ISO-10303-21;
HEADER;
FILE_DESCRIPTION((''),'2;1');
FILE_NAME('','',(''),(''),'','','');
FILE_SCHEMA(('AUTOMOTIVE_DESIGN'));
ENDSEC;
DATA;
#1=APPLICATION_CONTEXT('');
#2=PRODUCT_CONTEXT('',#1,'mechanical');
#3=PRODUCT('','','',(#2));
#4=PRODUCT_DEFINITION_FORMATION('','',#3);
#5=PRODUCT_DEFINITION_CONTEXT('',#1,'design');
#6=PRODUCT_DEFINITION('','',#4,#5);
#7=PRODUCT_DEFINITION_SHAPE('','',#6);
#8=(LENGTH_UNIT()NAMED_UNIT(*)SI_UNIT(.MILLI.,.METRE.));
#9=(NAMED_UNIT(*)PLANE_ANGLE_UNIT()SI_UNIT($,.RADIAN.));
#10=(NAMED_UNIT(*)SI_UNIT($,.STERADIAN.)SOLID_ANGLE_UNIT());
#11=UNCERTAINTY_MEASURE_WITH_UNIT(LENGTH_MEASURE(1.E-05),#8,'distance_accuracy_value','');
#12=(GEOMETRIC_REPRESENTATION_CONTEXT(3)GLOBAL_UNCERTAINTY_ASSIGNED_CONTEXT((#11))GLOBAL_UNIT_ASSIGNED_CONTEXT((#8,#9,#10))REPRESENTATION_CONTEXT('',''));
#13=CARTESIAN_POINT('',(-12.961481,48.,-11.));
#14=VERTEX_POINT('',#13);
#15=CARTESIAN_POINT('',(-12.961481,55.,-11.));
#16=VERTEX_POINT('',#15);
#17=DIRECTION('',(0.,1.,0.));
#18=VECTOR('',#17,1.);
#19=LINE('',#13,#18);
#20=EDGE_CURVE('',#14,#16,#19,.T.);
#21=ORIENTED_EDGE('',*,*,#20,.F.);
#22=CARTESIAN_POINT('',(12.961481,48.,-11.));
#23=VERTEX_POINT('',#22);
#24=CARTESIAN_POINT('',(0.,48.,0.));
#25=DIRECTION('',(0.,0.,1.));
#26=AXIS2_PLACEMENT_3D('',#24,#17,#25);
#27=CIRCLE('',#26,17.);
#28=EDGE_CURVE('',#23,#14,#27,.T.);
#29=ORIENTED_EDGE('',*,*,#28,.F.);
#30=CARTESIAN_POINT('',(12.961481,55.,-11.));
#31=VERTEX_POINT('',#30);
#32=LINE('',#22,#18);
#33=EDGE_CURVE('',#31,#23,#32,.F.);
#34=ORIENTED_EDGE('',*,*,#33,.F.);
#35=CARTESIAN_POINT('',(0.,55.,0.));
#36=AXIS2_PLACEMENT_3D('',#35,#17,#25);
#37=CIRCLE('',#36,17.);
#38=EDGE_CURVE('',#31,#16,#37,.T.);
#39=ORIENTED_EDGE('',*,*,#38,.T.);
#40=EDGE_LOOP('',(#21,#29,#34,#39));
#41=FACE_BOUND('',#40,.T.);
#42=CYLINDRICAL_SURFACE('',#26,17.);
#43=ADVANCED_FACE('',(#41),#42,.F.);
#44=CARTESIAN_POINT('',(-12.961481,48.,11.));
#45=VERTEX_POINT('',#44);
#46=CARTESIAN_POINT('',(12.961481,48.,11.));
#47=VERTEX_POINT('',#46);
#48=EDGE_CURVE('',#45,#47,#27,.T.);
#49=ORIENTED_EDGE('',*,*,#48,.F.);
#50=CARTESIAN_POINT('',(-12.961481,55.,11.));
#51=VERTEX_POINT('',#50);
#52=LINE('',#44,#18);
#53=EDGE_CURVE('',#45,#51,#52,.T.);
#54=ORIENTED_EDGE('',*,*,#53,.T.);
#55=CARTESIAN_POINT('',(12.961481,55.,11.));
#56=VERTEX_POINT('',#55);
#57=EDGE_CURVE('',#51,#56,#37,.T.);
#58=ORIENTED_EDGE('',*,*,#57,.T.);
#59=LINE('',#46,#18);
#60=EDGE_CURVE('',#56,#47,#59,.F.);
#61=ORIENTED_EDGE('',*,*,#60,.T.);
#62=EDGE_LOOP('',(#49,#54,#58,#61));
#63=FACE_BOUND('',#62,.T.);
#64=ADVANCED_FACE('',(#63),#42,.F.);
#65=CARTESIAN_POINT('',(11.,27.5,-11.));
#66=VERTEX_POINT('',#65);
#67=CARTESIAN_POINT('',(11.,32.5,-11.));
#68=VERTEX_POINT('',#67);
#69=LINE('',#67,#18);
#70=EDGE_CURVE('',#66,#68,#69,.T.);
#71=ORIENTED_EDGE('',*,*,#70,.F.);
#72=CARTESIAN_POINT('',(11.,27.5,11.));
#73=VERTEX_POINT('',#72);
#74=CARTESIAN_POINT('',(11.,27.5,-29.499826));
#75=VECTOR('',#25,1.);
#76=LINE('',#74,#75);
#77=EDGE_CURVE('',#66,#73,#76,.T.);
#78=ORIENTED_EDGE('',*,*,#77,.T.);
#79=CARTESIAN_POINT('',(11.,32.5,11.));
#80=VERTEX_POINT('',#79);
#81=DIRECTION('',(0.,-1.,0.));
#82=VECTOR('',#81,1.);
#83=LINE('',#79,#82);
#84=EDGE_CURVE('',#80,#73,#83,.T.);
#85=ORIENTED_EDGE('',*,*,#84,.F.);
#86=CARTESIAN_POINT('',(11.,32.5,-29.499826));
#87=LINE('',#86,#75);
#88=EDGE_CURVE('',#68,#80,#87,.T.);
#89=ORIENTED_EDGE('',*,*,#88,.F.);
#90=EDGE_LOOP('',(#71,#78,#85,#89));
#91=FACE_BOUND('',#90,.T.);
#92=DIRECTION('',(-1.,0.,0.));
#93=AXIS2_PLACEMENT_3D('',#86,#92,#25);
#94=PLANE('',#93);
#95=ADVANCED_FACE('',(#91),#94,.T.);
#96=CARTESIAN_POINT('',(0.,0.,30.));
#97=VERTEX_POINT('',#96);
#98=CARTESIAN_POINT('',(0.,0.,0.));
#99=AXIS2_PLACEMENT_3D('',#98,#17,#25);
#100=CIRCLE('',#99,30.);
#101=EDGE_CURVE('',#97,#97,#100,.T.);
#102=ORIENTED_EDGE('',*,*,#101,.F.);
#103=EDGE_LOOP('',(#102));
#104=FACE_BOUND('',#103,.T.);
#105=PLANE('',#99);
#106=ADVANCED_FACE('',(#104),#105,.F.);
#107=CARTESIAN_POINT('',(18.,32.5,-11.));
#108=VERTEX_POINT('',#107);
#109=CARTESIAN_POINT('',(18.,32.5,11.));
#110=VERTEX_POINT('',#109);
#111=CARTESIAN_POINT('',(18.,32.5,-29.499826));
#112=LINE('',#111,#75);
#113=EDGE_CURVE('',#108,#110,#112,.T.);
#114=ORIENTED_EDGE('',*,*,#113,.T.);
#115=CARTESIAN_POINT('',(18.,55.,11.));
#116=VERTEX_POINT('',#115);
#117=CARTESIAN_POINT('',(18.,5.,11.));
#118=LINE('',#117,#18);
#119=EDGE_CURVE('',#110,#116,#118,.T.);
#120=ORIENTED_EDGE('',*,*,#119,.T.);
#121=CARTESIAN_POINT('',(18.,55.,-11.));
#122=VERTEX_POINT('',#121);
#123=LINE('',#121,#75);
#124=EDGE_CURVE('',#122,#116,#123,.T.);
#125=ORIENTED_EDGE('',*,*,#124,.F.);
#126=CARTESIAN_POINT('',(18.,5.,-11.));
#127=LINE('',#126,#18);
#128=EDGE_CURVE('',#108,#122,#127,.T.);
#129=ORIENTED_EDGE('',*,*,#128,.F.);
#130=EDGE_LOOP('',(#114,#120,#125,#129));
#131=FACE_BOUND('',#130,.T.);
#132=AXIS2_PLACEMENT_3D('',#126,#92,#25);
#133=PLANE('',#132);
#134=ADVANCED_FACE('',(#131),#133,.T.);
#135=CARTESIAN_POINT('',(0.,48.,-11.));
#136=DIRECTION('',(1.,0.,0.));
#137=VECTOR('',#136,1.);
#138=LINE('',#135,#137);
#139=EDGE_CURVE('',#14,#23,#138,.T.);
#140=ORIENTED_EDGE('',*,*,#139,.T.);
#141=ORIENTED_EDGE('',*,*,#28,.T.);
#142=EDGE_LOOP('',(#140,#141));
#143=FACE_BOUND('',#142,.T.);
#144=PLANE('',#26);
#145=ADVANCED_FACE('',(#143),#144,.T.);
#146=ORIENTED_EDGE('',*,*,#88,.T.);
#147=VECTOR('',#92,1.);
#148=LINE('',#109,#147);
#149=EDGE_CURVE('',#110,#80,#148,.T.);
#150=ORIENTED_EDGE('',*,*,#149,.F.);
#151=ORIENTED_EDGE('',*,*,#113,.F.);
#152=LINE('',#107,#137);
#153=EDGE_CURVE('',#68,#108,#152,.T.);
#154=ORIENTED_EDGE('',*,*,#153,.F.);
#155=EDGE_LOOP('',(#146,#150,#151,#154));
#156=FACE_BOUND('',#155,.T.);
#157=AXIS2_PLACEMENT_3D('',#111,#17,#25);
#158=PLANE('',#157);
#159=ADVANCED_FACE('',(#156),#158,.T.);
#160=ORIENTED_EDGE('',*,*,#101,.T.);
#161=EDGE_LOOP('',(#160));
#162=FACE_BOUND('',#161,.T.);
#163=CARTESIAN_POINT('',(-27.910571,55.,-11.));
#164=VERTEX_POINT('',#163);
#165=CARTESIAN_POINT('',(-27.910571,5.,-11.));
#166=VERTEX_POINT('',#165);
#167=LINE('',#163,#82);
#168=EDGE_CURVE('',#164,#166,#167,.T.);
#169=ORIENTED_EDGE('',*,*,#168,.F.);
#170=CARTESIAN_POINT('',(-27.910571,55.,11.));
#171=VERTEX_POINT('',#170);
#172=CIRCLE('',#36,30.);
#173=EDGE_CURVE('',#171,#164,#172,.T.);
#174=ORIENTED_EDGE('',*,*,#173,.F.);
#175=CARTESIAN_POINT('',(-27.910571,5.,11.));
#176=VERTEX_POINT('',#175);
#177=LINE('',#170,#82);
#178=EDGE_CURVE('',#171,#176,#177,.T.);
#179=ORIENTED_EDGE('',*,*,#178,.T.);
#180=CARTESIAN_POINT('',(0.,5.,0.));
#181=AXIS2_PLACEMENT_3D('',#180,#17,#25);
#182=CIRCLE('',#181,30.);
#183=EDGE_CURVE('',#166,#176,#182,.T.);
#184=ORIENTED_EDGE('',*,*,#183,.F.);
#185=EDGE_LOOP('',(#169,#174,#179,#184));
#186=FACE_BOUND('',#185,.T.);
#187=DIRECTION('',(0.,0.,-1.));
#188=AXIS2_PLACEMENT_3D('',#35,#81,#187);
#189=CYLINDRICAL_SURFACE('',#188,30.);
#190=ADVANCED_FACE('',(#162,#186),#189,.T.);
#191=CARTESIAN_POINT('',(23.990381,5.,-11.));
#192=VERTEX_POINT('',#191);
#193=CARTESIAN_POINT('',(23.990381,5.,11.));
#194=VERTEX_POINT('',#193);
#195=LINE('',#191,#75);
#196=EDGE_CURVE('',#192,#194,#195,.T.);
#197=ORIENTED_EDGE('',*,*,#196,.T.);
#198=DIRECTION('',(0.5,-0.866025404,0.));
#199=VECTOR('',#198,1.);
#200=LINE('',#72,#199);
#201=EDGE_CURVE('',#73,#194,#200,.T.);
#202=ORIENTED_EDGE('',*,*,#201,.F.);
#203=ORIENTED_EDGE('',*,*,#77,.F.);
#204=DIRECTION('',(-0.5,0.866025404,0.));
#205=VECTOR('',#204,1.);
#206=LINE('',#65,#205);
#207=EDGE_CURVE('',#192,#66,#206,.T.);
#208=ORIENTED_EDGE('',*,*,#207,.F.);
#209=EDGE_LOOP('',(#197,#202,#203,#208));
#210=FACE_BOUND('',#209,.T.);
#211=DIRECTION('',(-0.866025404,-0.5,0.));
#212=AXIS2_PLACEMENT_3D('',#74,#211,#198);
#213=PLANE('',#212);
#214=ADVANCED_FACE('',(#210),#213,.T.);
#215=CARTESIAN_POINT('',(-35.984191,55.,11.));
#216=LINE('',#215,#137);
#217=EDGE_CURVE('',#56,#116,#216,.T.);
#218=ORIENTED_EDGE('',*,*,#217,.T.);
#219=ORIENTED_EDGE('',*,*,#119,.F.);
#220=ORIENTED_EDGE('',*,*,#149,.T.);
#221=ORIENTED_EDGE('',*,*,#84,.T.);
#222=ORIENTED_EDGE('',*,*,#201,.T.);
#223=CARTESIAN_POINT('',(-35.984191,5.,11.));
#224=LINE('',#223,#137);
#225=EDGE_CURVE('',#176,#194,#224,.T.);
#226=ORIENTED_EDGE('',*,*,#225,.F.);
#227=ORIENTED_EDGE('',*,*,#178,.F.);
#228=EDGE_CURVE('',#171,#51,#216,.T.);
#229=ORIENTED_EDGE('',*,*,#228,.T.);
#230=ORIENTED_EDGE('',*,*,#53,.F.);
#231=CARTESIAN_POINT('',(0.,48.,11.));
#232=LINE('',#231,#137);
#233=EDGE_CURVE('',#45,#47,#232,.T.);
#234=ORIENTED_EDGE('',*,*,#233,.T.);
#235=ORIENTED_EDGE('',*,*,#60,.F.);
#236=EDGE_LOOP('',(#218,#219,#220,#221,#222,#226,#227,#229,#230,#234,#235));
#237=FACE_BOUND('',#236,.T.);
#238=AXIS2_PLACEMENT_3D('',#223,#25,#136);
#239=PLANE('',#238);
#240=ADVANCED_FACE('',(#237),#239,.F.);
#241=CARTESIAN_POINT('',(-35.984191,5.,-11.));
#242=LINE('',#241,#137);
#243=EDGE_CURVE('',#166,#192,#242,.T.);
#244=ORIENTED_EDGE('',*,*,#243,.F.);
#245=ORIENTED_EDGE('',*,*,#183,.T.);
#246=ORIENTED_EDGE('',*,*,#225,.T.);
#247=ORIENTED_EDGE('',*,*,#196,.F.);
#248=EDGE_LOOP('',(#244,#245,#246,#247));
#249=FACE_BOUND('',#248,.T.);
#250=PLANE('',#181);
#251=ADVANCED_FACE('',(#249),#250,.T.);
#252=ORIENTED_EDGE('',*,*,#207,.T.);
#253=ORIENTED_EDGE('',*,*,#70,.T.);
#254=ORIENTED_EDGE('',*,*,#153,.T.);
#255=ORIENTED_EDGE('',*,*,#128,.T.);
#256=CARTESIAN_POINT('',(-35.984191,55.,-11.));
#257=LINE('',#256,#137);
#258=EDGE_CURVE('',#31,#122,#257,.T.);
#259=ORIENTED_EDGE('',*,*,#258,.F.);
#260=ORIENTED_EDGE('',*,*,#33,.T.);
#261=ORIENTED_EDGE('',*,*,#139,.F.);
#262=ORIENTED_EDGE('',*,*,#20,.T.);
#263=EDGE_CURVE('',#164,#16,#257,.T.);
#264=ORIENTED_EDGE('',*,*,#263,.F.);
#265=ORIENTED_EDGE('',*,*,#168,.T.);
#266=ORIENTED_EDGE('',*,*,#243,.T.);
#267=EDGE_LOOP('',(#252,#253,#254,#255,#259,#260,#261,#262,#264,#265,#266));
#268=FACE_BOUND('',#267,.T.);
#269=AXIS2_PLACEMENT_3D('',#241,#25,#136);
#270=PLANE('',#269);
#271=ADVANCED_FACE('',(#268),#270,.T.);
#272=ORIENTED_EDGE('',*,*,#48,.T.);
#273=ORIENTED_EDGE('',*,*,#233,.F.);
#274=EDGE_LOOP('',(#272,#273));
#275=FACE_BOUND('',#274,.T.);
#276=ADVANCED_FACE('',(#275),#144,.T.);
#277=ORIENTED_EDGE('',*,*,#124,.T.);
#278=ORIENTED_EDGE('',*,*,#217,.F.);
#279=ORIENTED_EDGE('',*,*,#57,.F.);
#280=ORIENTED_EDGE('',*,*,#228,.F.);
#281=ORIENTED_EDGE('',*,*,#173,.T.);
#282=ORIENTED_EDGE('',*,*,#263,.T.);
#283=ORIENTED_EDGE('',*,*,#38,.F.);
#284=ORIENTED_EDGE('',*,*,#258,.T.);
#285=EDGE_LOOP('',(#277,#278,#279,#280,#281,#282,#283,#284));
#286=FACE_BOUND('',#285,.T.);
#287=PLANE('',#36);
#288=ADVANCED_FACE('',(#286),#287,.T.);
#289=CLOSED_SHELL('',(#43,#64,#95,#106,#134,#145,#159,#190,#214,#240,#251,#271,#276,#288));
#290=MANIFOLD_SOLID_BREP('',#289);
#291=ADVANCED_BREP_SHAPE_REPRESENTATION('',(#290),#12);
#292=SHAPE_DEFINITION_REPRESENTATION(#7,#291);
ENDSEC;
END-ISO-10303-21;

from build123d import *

# Parameters (mm, degrees)
SKETCH1_R                           = 30
BOSS_EXTRUDE1_DEPTH                 = 55
SKETCH3_R                           = 17
HUB_POCKET_DEPTH                    = 7
SKETCH2_W                           = 53.984190988
SKETCH2_H                           = 22
SERVO_POCKET_DEPTH                  = 50
SERVO_FRONT_MOUNT_REACH             = 71.462
SERVO_FRONT_MOUNT_DIRECTION_2_REACH = 71.462
WIRE_ACCESS_DEPTH                   = 11


with BuildPart() as part:
    # Sketch1 → Boss-Extrude1 (new body)
    with BuildSketch(Plane(origin=(0, 0, 0), x_dir=(1, 0, 0), z_dir=(0, 1, 0))):
        with Locations(Location((0, 0, 0), (0, 0, 270))):
            Circle(SKETCH1_R)
    extrude(amount=BOSS_EXTRUDE1_DEPTH)

    # Sketch3 → hub pocket (cut)
    with BuildSketch(Plane(origin=(0, 55, 0), x_dir=(1, 0, 0), z_dir=(0, 1, 0))):
        with Locations(Location((0, 0, 0), (0, 0, 270))):
            Circle(SKETCH3_R)
    extrude(amount=-HUB_POCKET_DEPTH, mode=Mode.SUBTRACT)

    # Sketch2 → servo pocket (cut)
    with BuildSketch(Plane(origin=(0, 55, 0), x_dir=(1, 0, 0), z_dir=(0, 1, 0))):
        with Locations((-8.992095494, 0)):
            Rectangle(SKETCH2_W, SKETCH2_H)
    extrude(amount=-SERVO_POCKET_DEPTH, mode=Mode.SUBTRACT)

    # Servo front mount: up to this face of the body (flat: up to its plane)
    servo_front_mount_end = Plane(part.part.faces().sort_by_distance((-5.380622048, 28.154550276, -11))[0])
    # Sketch4 → Servo front mount (add, up to the picked face)
    with BuildSketch(Plane.XY, mode=Mode.PRIVATE) as servo_front_mount_sk1:
        Polygon((18, 32.5), (11, 32.5), (11, 27.5), (18, 15.375644347), align=None)
    servo_front_mount_tool1 = split(extrude(servo_front_mount_sk1.sketch, amount=-SERVO_FRONT_MOUNT_REACH, mode=Mode.PRIVATE), bisect_by=servo_front_mount_end, keep=Keep.BOTH, mode=Mode.PRIVATE)
    add(servo_front_mount_tool1.solids().sort_by(Axis((15.139344, 26.415223, 0), (0, 0, -1)))[0])

    # Servo front mount direction 2: up to this face of the body (flat: up to its plane)
    servo_front_mount_direction_2_end = Plane(part.part.faces().sort_by_distance((-5.380622048, 28.154550276, 11))[0])
    # Sketch4 → Servo front mount direction 2 (add, up to the picked face)
    with BuildSketch(Plane.XY, mode=Mode.PRIVATE) as servo_front_mount_direction_2_sk1:
        Polygon((18, 32.5), (11, 32.5), (11, 27.5), (18, 15.375644347), align=None)
    servo_front_mount_direction_2_tool1 = split(extrude(servo_front_mount_direction_2_sk1.sketch, amount=SERVO_FRONT_MOUNT_DIRECTION_2_REACH, mode=Mode.PRIVATE), bisect_by=servo_front_mount_direction_2_end, keep=Keep.BOTH, mode=Mode.PRIVATE)
    add(servo_front_mount_direction_2_tool1.solids().sort_by(Axis((15.139344, 26.415223, 0), (0, 0, 1)))[0])

    # Sketch5 → Wire access (cut, symmetric)
    with BuildSketch(Plane.XY):
        Polygon((18, 15.375644347), (23.990381057, 5), (18, 5), align=None)
    extrude(amount=WIRE_ACCESS_DEPTH, both=True, mode=Mode.SUBTRACT)


solid = part.part
